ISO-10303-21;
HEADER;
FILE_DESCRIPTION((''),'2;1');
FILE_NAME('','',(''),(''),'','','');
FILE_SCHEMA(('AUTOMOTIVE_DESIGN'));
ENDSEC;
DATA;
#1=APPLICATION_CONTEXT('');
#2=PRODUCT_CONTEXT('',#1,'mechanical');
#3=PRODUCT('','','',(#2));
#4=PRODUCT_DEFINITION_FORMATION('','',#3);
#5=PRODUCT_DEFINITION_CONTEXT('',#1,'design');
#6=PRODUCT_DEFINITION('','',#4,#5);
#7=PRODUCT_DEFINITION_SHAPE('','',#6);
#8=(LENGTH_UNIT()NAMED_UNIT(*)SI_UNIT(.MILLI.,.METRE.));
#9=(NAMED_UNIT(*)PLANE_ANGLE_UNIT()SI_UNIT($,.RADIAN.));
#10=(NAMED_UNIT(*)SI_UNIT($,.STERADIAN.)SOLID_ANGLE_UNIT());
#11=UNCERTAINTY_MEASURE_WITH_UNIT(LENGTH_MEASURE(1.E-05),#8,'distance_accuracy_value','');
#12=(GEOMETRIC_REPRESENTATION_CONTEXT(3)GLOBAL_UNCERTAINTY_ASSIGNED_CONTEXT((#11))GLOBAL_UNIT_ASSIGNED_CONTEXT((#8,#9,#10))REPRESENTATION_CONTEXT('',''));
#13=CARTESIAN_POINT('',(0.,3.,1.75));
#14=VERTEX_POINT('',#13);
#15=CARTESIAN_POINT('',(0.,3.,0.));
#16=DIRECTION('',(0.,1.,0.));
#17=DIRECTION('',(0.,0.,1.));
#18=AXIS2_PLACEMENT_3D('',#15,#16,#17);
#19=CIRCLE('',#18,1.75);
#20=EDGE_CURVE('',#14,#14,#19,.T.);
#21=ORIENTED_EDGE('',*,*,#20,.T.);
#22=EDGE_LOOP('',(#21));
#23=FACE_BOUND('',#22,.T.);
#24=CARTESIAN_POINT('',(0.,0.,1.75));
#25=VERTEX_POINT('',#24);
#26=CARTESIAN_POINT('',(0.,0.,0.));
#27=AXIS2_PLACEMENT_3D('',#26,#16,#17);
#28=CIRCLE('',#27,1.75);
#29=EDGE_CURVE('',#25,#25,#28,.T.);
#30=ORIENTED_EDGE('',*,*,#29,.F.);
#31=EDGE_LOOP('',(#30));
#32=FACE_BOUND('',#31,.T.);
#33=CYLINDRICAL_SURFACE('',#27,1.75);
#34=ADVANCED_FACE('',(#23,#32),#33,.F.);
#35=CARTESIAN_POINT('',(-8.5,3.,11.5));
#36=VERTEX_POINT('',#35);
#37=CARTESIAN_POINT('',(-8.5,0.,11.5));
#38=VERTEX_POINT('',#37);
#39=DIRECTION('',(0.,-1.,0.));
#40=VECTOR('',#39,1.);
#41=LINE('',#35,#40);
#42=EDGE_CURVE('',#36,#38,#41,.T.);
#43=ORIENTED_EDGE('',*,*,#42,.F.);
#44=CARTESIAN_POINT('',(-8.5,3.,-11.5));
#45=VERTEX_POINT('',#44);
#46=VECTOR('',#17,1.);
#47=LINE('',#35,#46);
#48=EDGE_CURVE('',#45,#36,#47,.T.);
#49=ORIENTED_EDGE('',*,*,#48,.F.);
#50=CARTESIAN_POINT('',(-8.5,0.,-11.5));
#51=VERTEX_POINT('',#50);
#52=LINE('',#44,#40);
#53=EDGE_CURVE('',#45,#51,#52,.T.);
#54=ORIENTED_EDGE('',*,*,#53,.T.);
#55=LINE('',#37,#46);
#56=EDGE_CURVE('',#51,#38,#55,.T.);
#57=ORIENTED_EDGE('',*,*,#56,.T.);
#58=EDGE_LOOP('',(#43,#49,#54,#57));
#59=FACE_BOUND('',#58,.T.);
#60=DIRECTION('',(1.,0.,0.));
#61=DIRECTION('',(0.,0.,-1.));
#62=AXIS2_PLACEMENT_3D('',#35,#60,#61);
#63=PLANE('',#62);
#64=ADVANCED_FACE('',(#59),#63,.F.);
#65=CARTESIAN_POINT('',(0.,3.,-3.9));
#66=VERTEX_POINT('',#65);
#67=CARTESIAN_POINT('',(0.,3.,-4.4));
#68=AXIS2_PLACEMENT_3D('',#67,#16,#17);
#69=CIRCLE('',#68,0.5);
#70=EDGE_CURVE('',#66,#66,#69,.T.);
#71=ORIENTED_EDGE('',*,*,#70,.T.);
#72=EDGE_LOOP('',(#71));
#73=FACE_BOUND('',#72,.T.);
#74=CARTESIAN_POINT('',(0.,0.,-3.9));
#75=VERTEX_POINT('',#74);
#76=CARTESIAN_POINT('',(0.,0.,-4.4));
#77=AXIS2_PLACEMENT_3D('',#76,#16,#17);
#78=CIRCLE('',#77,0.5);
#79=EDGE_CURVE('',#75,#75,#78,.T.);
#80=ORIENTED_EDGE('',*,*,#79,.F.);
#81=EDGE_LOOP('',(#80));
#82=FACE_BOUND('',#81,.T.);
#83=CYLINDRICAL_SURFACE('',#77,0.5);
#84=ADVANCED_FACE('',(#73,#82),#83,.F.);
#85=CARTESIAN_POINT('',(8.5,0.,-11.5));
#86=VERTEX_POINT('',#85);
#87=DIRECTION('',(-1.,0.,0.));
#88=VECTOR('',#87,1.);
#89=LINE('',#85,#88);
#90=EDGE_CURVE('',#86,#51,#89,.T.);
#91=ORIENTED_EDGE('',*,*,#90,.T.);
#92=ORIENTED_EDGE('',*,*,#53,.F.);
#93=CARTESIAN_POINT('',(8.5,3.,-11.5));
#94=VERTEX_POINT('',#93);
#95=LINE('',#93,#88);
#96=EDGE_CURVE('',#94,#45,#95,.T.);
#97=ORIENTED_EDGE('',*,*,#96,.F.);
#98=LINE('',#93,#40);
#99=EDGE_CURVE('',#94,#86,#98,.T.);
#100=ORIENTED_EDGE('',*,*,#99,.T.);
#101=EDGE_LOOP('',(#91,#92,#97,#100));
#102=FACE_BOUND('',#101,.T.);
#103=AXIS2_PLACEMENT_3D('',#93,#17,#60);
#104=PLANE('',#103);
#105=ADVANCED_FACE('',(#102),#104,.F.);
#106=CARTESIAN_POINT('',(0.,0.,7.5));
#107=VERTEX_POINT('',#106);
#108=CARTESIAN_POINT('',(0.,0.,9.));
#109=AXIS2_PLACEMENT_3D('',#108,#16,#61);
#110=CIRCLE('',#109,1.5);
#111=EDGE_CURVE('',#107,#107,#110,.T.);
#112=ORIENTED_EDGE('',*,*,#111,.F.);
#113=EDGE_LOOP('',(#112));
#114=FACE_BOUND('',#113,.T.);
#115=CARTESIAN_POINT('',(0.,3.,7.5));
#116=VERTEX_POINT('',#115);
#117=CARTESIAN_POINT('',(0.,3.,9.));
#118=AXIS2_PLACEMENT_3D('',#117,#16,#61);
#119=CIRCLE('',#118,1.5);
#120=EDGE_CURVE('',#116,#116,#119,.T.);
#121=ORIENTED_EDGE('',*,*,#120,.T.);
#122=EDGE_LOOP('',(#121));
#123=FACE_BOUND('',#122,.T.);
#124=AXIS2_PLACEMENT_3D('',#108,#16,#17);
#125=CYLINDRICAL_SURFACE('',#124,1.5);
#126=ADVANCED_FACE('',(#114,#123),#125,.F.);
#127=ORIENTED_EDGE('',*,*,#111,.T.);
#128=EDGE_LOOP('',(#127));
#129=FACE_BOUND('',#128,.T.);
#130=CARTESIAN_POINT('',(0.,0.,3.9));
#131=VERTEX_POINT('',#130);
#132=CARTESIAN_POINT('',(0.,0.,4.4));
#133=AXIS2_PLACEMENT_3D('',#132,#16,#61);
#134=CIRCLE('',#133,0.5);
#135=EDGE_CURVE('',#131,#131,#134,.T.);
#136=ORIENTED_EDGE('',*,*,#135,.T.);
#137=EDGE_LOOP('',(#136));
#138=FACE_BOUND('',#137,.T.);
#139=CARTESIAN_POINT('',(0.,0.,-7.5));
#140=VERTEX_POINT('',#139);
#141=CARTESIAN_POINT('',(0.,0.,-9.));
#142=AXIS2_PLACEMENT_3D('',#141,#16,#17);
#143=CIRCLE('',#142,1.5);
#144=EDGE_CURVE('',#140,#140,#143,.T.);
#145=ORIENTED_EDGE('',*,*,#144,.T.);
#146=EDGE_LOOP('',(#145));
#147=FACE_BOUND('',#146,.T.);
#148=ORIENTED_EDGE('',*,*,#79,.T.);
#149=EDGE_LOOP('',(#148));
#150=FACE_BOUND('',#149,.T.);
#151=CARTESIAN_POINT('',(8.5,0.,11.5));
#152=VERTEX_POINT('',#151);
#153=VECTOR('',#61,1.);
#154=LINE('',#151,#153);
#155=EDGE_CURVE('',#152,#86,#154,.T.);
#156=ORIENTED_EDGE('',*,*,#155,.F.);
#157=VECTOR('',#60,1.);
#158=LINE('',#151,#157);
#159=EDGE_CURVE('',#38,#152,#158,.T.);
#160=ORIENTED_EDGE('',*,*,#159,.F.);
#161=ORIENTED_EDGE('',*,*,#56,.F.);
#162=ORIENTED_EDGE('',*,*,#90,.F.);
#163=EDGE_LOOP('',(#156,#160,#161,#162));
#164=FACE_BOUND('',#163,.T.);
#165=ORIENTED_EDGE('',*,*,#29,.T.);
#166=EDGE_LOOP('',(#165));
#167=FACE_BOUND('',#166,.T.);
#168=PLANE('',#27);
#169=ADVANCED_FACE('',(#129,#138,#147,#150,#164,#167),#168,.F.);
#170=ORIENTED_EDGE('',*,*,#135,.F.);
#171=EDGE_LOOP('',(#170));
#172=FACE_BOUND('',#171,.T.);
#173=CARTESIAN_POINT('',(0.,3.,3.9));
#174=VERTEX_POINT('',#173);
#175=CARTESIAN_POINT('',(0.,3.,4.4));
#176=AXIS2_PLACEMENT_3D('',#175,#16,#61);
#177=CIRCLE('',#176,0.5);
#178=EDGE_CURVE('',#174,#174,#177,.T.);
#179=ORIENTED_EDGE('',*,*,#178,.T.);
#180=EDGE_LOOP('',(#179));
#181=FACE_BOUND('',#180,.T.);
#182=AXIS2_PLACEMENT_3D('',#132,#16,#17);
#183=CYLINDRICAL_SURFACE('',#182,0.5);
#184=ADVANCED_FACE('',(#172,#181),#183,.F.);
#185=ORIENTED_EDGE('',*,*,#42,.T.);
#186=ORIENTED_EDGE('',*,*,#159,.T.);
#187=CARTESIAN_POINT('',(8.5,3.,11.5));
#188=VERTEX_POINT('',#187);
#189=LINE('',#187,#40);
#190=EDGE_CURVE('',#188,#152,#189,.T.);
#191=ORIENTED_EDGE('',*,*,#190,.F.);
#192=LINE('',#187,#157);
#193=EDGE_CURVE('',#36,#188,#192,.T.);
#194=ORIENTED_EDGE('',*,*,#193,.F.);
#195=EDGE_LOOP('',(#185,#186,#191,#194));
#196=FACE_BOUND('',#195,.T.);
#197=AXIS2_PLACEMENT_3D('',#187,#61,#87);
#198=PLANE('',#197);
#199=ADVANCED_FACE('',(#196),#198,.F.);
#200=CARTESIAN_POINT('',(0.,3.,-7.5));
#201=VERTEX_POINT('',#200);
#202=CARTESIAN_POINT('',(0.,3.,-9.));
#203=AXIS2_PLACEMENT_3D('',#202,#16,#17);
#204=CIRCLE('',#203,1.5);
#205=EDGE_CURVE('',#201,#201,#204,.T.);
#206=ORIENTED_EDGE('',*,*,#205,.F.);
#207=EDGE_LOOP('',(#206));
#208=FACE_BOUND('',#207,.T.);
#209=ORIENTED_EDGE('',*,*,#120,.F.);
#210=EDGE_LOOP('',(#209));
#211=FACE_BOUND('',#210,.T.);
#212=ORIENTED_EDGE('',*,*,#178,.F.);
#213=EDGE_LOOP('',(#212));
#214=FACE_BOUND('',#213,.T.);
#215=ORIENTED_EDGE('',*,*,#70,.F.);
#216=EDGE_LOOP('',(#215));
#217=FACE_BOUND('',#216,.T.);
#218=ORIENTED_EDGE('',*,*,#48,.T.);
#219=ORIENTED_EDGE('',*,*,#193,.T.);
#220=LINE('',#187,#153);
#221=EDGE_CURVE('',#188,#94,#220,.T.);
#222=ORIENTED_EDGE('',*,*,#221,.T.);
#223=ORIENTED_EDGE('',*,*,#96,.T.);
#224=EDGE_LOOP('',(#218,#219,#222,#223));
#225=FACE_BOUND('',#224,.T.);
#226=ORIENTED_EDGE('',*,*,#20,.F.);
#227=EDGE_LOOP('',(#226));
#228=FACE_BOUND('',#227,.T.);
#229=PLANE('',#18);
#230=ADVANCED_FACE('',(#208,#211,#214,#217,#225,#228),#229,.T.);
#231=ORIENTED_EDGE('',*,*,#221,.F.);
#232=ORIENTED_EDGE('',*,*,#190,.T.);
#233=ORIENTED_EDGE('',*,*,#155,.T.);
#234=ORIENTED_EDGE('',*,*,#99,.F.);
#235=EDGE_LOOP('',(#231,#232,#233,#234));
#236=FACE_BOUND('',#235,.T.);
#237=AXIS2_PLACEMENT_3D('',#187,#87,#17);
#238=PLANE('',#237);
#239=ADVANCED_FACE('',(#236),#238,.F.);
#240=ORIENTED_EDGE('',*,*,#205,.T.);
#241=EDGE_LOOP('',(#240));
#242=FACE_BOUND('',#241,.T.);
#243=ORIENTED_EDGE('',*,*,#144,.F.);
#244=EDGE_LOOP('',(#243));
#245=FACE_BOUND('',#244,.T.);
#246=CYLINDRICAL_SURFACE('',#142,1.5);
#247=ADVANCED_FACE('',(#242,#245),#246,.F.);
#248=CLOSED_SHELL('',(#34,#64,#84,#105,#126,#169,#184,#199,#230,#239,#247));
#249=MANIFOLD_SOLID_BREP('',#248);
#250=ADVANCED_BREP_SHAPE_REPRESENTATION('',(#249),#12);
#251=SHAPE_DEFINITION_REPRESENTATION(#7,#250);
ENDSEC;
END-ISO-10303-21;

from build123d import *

# Parameters (mm, degrees)
SKETCH1_W           = 17
SKETCH1_H           = 23
BOSS_EXTRUDE1_DEPTH = 3
SKETCH2_R           = 1.5
SKETCH2_R_2         = 0.5
CUT_EXTRUDE1_DEPTH  = 4
SKETCH3_R           = 1.75
CUT_EXTRUDE2_DEPTH  = 4


with BuildPart() as part:
    # Sketch1 → Boss-Extrude1 (new body)
    with BuildSketch(Plane(origin=(0, 0, 0), x_dir=(1, 0, 0), z_dir=(0, 1, 0))):
        Rectangle(SKETCH1_W, SKETCH1_H)
    extrude(amount=BOSS_EXTRUDE1_DEPTH)

    # Sketch2 → Cut-Extrude1 (cut, through all)
    with BuildSketch(Plane(origin=(0, 3, 0), x_dir=(1, 0, 0), z_dir=(0, 1, 0))):
        with Locations((0, 9)):
            Circle(SKETCH2_R)
        with Locations((0, 4.4)):
            Circle(SKETCH2_R_2)
        with Locations((0, -4.4)):
            Circle(SKETCH2_R_2)
        with Locations((0, -9)):
            Circle(SKETCH2_R)
    extrude(amount=-CUT_EXTRUDE1_DEPTH, mode=Mode.SUBTRACT)

    # Sketch3 → Cut-Extrude2 (cut, through all)
    with BuildSketch(Plane(origin=(0, 3, 0), x_dir=(1, 0, 0), z_dir=(0, 1, 0))):
        Circle(SKETCH3_R)
    extrude(amount=-CUT_EXTRUDE2_DEPTH, mode=Mode.SUBTRACT)


solid = part.part
